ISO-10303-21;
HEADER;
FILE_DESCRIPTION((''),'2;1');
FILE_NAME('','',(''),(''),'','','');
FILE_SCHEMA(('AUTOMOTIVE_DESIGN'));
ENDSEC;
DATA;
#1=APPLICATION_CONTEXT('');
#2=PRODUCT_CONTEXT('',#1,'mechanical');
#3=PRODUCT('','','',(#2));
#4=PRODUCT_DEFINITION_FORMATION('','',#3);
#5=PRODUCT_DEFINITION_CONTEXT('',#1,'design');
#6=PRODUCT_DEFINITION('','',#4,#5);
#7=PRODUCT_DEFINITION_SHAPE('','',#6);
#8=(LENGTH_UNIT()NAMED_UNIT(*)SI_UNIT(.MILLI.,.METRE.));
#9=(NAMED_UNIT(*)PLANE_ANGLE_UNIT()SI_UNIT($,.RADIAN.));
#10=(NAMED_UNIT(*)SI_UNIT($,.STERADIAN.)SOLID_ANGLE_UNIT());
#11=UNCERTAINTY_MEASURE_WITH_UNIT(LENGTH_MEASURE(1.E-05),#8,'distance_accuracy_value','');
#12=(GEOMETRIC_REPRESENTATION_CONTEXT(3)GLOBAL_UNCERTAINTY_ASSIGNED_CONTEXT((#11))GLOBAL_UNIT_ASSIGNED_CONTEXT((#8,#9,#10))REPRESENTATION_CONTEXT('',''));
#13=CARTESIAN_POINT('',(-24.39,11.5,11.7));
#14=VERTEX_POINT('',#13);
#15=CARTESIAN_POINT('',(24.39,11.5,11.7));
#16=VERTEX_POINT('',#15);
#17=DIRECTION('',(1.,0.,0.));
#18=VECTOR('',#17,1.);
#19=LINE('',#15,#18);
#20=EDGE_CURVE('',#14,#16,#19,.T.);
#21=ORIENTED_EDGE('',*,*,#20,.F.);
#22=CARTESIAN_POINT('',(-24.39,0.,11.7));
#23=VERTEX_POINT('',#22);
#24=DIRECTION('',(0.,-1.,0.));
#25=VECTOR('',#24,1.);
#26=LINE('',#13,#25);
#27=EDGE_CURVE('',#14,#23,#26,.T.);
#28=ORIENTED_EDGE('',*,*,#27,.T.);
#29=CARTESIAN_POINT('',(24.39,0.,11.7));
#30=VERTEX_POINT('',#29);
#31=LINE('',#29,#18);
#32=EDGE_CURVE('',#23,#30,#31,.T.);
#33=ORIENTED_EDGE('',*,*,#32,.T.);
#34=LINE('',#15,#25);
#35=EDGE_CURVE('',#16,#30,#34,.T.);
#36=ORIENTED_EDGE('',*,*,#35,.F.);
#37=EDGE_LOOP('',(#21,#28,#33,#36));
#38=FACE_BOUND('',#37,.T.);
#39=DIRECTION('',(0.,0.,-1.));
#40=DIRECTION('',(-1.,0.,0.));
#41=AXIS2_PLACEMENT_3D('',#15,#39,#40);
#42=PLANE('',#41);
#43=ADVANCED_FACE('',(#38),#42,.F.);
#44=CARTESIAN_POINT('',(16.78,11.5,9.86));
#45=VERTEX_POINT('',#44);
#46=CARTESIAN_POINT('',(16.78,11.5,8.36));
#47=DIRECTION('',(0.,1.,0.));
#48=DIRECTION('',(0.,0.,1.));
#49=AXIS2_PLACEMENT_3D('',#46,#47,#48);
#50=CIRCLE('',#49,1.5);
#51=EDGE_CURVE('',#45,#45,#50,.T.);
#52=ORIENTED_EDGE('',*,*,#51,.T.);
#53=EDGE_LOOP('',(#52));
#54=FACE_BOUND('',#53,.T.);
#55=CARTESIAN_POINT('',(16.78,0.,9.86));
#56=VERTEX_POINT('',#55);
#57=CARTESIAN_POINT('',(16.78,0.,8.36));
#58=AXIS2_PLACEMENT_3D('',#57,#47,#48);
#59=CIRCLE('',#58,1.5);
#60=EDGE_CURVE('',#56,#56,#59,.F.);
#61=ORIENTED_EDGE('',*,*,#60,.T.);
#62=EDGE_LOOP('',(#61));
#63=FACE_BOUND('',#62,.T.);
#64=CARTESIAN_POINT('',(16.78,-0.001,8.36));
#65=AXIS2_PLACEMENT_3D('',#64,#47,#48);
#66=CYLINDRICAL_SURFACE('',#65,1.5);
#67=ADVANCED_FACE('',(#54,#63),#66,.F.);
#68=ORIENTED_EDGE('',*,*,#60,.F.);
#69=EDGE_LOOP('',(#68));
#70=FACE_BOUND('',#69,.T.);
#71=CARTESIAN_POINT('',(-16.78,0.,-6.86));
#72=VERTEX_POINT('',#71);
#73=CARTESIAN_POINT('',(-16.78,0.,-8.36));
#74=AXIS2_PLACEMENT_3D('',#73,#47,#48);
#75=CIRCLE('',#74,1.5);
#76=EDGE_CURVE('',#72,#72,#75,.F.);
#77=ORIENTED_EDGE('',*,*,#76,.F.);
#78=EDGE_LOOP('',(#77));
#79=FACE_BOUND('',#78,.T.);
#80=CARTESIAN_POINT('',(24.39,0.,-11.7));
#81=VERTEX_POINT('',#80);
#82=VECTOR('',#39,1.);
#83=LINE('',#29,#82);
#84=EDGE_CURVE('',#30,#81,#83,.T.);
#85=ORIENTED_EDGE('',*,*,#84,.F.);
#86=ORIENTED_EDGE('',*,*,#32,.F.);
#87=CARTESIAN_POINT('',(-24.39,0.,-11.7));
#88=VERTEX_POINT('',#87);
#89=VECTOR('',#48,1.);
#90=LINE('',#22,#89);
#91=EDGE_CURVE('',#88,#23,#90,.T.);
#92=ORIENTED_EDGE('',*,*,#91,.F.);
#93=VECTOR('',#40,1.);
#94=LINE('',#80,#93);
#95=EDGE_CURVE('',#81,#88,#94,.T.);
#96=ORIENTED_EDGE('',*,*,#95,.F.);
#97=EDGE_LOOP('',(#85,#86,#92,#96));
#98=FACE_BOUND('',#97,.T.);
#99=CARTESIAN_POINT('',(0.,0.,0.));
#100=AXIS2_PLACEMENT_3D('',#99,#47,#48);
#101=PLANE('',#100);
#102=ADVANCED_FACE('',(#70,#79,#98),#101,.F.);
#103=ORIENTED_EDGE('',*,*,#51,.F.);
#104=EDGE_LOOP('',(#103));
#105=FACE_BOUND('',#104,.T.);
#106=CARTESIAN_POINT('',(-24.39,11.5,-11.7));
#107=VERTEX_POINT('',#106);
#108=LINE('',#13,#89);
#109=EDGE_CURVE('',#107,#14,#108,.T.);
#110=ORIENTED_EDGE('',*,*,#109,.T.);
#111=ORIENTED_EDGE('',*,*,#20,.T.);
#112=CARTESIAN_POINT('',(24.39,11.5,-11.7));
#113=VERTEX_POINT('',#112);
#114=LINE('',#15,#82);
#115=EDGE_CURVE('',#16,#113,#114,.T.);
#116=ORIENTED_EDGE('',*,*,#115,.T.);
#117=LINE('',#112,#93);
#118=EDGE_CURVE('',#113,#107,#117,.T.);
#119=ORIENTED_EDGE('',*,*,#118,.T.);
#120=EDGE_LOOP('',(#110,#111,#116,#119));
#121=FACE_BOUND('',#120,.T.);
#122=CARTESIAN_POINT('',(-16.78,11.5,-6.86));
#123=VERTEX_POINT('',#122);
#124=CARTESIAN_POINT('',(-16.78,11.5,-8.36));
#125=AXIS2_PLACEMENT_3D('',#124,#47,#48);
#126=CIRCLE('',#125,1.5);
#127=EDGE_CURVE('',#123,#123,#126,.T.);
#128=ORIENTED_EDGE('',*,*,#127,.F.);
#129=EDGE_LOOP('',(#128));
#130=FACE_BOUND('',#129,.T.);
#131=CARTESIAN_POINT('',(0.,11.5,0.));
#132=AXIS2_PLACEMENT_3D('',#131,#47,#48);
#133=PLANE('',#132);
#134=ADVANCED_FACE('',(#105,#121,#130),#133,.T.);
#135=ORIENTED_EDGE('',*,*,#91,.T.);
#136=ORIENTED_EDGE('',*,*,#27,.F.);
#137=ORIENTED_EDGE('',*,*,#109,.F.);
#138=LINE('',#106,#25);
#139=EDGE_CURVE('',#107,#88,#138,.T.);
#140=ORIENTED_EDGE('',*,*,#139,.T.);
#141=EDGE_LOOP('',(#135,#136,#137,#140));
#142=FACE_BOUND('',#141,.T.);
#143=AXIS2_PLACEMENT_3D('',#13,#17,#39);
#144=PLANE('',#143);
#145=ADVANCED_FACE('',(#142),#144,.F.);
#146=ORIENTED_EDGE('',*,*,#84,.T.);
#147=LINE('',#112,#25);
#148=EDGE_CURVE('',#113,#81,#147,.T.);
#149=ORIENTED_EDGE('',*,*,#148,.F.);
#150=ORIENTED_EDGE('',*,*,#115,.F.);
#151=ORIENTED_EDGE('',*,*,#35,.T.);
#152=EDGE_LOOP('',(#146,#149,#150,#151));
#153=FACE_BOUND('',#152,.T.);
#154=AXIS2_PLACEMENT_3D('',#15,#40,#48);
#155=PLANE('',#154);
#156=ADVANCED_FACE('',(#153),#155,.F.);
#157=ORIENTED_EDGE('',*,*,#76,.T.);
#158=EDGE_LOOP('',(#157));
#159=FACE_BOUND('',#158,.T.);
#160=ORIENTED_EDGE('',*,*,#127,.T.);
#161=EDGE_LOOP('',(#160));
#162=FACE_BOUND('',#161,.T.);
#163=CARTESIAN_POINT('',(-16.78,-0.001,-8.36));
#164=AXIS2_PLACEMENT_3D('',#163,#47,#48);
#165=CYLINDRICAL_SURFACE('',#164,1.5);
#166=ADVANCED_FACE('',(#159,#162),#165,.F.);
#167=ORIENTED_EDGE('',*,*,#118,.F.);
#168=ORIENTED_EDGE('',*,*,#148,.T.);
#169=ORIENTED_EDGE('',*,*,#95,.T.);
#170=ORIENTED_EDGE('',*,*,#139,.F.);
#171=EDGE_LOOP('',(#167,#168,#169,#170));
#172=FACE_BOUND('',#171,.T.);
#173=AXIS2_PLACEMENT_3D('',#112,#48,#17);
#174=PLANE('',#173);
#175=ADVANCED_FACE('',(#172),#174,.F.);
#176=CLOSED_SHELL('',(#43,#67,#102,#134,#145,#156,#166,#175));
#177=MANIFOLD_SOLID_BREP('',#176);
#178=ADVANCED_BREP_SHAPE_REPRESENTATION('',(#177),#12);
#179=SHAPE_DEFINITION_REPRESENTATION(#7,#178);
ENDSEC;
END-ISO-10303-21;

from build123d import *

# Parameters (mm, degrees)
SKETCH1_W           = 48.78
SKETCH1_H           = 23.4
BOSS_EXTRUDE1_DEPTH = 11.5
CUT_EXTRUDE1_REACH  = 31.394
SKETCH2_R           = 1.5


with BuildPart() as part:
    # Sketch1 → Boss-Extrude1 (new body)
    with BuildSketch(Plane(origin=(0, 0, 0), x_dir=(1, 0, 0), z_dir=(0, 1, 0))):
        Rectangle(SKETCH1_W, SKETCH1_H)
    extrude(amount=BOSS_EXTRUDE1_DEPTH)

    # Sketch2 → Cut-Extrude1 (cut, up to next)
    with BuildSketch(Plane(origin=(0, 11.5, 0), x_dir=(1, 0, 0), z_dir=(0, 1, 0)), mode=Mode.PRIVATE) as cut_extrude1_sk1:
        with Locations(Location((-16.78, 8.36, 0), (0, 0, 270))):
            Circle(SKETCH2_R)
    cut_extrude1_tool1 = extrude(cut_extrude1_sk1.sketch, amount=-CUT_EXTRUDE1_REACH, mode=Mode.PRIVATE) & part.part
    # Sketch2 → Cut-Extrude1 (cut, up to next)
    with BuildSketch(Plane(origin=(0, 11.5, 0), x_dir=(1, 0, 0), z_dir=(0, 1, 0)), mode=Mode.PRIVATE) as cut_extrude1_sk2:
        with Locations(Location((16.78, -8.36, 0), (0, 0, 270))):
            Circle(SKETCH2_R)
    cut_extrude1_tool2 = extrude(cut_extrude1_sk2.sketch, amount=-CUT_EXTRUDE1_REACH, mode=Mode.PRIVATE) & part.part
    add(cut_extrude1_tool1.solids().sort_by_distance((-16.78, 11.5, -8.36))[0], mode=Mode.SUBTRACT)
    add(cut_extrude1_tool2.solids().sort_by_distance((16.78, 11.5, 8.36))[0], mode=Mode.SUBTRACT)


solid = part.part
